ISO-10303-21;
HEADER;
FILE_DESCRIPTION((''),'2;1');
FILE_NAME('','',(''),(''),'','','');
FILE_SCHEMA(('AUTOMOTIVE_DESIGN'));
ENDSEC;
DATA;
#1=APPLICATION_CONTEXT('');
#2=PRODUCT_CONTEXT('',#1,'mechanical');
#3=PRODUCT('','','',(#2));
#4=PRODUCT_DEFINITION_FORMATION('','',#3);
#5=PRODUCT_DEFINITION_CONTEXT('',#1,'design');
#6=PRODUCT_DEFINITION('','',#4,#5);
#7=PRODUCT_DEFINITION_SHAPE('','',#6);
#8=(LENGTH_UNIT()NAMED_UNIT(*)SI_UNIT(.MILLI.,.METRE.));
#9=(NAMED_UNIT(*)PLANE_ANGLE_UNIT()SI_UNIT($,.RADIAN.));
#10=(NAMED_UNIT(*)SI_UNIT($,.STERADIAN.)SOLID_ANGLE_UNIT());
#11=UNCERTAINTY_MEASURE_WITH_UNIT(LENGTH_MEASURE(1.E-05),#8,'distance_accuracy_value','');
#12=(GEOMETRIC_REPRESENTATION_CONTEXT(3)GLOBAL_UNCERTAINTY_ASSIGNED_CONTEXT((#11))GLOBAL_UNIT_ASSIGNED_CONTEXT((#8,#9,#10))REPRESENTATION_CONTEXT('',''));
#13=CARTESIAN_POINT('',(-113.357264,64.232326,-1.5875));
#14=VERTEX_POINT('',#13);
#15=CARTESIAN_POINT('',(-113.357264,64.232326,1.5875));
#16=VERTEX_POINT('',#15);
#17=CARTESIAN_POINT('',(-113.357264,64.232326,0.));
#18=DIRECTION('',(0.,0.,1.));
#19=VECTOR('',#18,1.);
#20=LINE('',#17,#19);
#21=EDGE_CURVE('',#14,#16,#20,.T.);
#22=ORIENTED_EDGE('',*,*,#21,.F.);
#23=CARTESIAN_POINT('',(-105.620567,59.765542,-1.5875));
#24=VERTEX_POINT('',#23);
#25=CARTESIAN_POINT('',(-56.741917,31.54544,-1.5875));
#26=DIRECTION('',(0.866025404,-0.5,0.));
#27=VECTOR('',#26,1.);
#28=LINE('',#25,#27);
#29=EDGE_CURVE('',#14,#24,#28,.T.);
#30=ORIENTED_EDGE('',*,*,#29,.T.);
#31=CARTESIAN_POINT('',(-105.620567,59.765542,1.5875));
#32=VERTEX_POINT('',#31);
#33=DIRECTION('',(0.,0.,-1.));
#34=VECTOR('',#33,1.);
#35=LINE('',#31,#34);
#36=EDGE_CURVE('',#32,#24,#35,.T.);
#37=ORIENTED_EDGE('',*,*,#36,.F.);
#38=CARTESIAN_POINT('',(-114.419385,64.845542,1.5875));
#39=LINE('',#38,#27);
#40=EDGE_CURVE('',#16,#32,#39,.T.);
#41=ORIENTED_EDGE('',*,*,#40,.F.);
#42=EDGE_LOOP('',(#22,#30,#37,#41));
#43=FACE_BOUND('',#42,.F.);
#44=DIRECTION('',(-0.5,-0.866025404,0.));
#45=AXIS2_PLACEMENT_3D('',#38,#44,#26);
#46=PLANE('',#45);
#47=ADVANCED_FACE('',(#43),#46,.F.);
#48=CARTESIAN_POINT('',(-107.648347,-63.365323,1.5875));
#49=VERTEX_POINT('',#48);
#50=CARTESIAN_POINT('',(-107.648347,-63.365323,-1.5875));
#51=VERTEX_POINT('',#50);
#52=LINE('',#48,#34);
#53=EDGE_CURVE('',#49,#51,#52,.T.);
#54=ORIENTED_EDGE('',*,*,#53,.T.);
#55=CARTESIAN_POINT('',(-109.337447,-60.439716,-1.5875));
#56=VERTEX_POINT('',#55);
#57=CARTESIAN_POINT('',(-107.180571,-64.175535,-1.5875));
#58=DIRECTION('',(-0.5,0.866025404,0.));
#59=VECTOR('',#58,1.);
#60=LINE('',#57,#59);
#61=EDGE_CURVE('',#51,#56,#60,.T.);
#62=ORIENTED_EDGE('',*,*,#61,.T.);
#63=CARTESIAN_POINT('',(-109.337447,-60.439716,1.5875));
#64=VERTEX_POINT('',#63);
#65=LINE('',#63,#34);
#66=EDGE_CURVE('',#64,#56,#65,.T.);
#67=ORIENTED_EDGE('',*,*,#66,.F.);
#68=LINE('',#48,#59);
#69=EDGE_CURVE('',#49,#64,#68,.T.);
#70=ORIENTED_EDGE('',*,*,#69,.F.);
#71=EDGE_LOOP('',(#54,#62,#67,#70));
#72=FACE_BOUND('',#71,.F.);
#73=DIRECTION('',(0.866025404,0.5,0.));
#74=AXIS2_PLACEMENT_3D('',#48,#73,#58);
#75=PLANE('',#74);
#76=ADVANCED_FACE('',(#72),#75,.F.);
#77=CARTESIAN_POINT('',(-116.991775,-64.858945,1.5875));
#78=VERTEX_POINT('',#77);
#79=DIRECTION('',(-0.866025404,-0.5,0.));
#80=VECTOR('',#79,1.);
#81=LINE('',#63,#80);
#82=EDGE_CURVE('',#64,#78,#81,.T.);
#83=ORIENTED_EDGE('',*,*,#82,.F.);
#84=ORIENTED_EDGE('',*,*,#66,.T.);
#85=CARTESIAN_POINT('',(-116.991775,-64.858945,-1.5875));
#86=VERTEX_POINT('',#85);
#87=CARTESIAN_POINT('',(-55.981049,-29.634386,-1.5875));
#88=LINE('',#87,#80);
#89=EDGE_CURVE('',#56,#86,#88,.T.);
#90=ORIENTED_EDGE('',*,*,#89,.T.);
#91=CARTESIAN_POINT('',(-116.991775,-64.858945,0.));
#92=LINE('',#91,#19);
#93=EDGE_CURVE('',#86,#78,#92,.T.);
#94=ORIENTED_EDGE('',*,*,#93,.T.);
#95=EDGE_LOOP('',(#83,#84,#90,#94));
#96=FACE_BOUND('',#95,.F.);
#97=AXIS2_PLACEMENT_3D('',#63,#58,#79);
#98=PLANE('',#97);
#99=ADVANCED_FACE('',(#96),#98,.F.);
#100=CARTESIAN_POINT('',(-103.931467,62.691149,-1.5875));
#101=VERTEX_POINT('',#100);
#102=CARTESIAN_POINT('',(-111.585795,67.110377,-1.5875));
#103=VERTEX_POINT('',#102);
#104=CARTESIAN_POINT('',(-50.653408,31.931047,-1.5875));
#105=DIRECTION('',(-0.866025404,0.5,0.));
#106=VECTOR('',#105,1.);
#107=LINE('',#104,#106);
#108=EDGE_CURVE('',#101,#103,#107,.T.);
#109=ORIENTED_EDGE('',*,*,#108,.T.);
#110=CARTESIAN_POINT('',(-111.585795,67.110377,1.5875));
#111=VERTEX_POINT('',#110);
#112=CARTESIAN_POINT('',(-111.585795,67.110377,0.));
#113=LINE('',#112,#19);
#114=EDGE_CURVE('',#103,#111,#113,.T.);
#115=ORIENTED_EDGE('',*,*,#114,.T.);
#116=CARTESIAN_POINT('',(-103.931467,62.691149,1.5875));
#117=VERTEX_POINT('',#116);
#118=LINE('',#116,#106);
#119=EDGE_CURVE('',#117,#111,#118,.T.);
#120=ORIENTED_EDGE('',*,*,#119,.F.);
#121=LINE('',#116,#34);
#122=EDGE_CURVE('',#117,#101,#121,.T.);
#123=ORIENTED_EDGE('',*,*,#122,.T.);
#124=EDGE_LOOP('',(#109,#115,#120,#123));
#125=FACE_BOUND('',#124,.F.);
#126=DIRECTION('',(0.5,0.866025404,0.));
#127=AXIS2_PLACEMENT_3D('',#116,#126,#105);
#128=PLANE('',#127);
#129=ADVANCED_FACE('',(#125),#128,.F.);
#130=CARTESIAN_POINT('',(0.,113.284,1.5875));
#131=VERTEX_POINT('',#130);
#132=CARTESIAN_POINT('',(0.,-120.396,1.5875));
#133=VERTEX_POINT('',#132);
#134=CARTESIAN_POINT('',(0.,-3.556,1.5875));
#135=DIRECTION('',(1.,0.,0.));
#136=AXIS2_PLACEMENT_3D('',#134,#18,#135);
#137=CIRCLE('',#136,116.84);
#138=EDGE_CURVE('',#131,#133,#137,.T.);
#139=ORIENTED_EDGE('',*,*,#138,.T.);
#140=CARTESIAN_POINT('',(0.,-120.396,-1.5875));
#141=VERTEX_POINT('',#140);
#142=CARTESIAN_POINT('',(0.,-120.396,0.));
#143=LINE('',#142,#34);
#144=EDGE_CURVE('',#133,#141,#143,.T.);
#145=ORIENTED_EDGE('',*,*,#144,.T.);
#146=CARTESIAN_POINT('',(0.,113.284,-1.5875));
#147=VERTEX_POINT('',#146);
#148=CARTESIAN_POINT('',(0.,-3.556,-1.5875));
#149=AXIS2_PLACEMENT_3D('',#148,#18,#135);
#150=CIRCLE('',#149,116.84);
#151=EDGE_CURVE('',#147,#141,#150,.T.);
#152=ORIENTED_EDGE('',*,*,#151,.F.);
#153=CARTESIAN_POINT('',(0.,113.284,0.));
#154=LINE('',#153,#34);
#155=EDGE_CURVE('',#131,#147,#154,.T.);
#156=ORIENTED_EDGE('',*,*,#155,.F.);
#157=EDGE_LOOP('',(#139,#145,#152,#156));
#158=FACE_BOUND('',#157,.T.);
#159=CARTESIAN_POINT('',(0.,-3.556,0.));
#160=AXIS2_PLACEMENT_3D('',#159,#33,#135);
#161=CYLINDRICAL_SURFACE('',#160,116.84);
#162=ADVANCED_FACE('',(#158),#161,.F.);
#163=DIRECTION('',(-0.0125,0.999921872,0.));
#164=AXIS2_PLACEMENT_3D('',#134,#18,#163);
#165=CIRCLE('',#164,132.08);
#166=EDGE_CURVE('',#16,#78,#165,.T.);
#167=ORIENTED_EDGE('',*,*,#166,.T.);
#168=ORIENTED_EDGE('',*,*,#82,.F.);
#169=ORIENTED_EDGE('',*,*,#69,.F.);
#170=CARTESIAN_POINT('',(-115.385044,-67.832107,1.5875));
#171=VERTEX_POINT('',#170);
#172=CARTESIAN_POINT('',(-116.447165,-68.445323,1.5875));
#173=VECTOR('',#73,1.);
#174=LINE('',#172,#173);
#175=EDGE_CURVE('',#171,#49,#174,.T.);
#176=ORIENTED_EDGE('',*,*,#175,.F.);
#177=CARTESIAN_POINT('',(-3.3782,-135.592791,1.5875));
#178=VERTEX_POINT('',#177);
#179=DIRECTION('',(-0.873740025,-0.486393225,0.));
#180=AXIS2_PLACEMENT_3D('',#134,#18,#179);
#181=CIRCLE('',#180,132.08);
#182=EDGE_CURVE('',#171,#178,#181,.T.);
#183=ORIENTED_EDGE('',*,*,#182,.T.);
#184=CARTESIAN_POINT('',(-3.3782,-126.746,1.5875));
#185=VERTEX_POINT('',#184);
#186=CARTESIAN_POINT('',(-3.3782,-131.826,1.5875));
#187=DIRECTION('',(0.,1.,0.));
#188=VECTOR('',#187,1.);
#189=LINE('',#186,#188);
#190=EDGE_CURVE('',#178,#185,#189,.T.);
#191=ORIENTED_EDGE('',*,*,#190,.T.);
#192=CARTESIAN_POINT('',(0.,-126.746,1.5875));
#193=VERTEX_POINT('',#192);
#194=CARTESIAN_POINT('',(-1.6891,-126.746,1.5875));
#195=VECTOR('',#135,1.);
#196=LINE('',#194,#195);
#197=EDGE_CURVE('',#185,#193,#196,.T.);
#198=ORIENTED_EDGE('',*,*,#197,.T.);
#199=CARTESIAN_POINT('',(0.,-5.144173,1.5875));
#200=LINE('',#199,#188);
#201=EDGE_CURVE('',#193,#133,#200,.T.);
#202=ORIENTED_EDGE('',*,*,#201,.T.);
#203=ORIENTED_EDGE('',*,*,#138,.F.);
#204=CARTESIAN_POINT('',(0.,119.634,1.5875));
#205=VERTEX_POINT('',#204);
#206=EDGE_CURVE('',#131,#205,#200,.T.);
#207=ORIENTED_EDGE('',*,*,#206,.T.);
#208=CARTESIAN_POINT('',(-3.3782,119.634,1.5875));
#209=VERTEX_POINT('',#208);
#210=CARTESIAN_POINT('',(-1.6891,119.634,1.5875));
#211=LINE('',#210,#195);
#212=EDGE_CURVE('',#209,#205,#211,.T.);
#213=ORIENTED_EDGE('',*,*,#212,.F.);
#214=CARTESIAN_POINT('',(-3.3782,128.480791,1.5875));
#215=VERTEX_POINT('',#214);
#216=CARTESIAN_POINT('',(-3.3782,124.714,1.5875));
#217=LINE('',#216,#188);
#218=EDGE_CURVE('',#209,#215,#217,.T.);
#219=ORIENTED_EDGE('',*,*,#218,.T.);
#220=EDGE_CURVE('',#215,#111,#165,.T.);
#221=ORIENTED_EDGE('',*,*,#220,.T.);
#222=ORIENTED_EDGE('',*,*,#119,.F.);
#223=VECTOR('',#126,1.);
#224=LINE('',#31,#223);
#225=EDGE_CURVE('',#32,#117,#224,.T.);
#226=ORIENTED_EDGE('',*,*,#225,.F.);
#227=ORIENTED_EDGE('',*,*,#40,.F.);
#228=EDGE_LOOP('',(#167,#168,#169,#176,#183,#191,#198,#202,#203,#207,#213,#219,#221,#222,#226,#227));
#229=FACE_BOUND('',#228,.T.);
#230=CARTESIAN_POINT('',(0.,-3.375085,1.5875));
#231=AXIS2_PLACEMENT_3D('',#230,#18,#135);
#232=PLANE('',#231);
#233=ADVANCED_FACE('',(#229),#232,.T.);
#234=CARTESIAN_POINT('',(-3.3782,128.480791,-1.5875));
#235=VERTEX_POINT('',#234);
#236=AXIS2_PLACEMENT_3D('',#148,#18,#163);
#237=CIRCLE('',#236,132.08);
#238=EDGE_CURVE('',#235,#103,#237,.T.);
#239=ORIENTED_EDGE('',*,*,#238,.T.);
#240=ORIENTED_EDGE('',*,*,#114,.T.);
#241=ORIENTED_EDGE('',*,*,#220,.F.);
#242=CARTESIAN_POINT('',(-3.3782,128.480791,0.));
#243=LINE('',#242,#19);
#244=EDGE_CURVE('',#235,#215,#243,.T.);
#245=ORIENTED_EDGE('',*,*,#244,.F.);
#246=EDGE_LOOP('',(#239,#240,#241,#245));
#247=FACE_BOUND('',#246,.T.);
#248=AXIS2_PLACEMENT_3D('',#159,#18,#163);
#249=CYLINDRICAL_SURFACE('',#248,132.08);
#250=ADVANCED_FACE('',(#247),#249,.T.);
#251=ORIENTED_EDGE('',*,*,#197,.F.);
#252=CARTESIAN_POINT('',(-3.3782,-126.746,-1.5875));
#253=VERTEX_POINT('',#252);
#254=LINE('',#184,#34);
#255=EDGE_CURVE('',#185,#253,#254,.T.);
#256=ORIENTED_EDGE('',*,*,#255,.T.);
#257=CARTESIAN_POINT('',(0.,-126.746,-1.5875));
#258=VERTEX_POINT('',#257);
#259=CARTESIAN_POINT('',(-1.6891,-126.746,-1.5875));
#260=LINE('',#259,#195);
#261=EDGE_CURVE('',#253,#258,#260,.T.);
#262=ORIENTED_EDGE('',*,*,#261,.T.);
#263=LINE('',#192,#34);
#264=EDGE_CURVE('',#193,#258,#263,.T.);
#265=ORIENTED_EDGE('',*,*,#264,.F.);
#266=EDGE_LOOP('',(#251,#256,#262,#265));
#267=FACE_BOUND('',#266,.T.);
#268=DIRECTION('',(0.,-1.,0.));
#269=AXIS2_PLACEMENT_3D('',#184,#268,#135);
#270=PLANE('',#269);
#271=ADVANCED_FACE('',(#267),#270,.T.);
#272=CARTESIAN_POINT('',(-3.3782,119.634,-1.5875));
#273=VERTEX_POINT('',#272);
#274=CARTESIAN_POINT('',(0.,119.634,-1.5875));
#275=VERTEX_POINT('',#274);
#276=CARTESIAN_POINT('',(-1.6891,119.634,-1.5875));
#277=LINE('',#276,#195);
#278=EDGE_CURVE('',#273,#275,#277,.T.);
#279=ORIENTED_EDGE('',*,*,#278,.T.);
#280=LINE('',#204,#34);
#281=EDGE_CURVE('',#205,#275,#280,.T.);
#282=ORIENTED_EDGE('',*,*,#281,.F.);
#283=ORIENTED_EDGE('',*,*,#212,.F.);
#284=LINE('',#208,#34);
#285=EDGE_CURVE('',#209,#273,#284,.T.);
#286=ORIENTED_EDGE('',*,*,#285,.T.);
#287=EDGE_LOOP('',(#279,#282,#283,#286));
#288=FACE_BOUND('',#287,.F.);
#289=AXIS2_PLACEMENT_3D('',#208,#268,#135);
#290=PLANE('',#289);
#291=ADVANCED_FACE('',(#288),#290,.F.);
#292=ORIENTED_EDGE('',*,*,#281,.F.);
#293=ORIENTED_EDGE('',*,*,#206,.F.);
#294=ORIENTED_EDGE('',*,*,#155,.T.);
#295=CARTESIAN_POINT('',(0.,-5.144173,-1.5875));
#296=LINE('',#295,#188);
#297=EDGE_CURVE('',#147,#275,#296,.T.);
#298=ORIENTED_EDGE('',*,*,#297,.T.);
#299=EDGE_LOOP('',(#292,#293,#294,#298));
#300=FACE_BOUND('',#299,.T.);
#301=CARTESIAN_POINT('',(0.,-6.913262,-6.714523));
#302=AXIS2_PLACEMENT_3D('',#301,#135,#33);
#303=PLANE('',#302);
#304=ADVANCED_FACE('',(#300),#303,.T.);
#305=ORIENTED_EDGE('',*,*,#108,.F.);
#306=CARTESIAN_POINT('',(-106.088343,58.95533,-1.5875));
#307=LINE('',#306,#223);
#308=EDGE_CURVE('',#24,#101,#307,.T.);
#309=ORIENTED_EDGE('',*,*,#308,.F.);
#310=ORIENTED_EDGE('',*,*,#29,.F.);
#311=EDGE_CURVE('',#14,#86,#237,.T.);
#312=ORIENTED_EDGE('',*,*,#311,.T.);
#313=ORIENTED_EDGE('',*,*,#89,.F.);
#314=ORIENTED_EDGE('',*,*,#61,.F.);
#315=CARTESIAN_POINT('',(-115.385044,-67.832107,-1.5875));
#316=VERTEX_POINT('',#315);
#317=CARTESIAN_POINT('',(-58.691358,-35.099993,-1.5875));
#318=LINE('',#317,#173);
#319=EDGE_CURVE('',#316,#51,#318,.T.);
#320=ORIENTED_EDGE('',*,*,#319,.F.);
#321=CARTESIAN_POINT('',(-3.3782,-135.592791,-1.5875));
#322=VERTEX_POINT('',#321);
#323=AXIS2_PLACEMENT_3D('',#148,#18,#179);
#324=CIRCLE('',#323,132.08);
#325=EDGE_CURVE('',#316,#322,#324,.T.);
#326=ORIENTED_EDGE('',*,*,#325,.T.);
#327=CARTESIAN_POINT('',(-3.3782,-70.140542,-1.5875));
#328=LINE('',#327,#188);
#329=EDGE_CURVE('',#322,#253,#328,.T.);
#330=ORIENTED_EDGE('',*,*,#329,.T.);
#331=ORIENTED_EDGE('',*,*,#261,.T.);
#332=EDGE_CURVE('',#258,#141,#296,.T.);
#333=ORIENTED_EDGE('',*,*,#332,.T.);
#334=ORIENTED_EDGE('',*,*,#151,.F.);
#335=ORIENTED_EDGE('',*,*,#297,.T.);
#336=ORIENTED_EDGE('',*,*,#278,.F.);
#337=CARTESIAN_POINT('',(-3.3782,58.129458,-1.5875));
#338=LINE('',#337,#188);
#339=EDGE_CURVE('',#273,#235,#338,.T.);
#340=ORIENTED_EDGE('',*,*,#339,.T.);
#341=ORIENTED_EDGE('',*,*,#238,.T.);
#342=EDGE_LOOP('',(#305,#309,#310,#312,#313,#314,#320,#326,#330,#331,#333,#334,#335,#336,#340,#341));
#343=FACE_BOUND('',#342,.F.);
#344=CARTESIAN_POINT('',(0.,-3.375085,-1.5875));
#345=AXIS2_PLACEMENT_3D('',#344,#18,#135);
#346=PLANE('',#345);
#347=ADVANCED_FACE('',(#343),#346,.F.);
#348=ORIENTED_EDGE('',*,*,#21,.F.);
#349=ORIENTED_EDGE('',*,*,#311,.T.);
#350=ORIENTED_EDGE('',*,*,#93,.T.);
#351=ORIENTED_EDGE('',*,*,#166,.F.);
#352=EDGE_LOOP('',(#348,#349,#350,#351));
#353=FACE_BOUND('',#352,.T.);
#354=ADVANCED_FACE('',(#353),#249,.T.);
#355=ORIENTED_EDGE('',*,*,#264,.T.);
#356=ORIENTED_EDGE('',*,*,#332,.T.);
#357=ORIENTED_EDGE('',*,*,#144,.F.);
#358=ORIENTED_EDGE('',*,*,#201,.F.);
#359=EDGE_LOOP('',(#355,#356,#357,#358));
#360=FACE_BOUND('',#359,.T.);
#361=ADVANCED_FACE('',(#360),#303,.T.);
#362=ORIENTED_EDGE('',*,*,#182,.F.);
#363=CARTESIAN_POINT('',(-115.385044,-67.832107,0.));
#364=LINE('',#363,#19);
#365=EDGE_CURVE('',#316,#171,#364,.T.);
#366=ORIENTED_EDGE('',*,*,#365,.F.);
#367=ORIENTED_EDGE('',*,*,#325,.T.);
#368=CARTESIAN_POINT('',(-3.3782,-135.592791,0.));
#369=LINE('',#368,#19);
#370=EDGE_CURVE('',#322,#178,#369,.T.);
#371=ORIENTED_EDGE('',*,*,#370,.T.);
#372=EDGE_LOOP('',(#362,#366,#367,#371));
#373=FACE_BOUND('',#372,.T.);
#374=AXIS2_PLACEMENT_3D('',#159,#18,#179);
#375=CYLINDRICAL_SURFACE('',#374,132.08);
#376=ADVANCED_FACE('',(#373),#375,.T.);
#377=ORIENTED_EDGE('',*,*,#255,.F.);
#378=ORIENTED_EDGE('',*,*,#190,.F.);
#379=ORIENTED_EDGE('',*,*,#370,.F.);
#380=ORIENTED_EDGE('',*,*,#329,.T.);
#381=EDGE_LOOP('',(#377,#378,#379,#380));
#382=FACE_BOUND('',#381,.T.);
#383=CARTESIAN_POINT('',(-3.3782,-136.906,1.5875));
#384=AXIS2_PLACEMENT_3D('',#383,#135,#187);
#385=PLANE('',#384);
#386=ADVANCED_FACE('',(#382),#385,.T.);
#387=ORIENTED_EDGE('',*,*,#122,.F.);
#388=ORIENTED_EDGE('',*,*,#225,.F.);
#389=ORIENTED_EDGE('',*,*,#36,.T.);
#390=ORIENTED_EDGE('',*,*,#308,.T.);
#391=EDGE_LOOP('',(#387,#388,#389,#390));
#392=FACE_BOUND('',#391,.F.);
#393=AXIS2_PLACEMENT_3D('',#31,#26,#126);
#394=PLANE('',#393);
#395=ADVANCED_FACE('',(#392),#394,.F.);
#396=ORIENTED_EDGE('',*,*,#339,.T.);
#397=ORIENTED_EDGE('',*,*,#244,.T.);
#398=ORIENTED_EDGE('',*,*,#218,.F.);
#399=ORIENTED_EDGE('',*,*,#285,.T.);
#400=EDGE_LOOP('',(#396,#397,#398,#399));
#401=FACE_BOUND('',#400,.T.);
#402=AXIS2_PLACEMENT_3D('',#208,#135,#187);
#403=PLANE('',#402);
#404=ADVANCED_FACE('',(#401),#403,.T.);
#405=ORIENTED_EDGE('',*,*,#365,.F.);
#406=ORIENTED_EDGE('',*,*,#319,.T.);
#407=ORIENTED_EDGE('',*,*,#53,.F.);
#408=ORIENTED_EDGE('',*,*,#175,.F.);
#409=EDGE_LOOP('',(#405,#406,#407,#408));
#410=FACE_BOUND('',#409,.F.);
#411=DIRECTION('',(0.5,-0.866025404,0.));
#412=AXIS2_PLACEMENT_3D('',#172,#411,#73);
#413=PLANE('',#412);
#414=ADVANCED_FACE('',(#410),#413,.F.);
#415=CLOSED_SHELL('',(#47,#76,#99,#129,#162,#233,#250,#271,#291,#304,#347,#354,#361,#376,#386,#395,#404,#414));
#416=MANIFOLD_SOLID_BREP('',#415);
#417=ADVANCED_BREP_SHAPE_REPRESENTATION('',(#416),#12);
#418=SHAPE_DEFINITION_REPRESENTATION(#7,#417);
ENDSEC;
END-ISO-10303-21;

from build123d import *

# Parameters (mm, degrees)
SKETCH2_R           = 116.84
BOSS_EXTRUDE1_DEPTH = 1.5875
SKETCH3_W           = 232.210592103
SKETCH3_H           = 398.954583541
CUT_EXTRUDE1_DEPTH  = 133.08
SKETCH4_W           = 3.3782
SKETCH4_H           = 10.16
CUT_EXTRUDE2_DEPTH  = 4.175


with BuildPart() as part:
    # Sketch2 → Boss-Extrude1 (new body, symmetric)
    with BuildSketch(Plane.XY):
        with BuildLine():
            ThreePointArc((-1.651, 128.513680847), (-113.443755652, 64.087482344), (-116.974071472, -64.89271823))
            ThreePointArc((-116.974071472, -64.89271823), (-116.588202689, -65.623039511), (-116.197774242, -66.350933404))
            ThreePointArc((-116.197774242, -66.350933404), (-115.802941233, -67.076116512), (-115.403582459, -67.798817153))
            ThreePointArc((-115.403582459, -67.798817153), (0, -135.636), (115.403582459, -67.798817153))
            ThreePointArc((115.403582459, -67.798817153), (115.802941375, -67.076116254), (116.197774523, -66.350932884))
            ThreePointArc((116.197774523, -66.350932884), (116.588202828, -65.62303925), (116.974071472, -64.89271823))
            ThreePointArc((116.974071472, -64.89271823), (113.443755652, 64.087482344), (1.651, 128.513680847))
            ThreePointArc((1.651, 128.513680847), (0.825516124, 128.521420187), (0, 128.524))
            ThreePointArc((0, 128.524), (-0.825516124, 128.521420187), (-1.651, 128.513680847))
        make_face()
        with Locations((0, -3.556)):
            Circle(SKETCH2_R, mode=Mode.SUBTRACT)
    extrude(amount=BOSS_EXTRUDE1_DEPTH, both=True)

    # Sketch3 → Cut-Extrude1 (cut, through all)
    with BuildSketch(Plane(origin=(0, 0, 0), x_dir=(0, 0, -1), z_dir=(1, 0, 0))):
        with Locations((6.714523145, -6.913261573)):
            Rectangle(SKETCH3_W, SKETCH3_H)
    extrude(amount=CUT_EXTRUDE1_DEPTH, mode=Mode.SUBTRACT)

    # Sketch4 → Cut-Extrude2 (cut, through all)
    with BuildSketch(Plane.XY.offset(1.5875)):
        with Locations((-1.6891, 124.714)):
            Rectangle(SKETCH4_W, SKETCH4_H)
        Polygon((-105.620566898, 59.765541567), (-103.931466898, 62.691148586), (-112.730285, 67.771148586), (-114.419385, 64.845541567), align=None)
        with Locations((-1.6891, -131.826)):
            Rectangle(SKETCH4_W, SKETCH4_H)
        Polygon((-107.648347053, -63.365323312), (-109.337447053, -60.439716293), (-118.136265155, -65.519716293), (-116.447165155, -68.445323312), align=None)
    extrude(amount=-CUT_EXTRUDE2_DEPTH, mode=Mode.SUBTRACT)


solid = part.part
